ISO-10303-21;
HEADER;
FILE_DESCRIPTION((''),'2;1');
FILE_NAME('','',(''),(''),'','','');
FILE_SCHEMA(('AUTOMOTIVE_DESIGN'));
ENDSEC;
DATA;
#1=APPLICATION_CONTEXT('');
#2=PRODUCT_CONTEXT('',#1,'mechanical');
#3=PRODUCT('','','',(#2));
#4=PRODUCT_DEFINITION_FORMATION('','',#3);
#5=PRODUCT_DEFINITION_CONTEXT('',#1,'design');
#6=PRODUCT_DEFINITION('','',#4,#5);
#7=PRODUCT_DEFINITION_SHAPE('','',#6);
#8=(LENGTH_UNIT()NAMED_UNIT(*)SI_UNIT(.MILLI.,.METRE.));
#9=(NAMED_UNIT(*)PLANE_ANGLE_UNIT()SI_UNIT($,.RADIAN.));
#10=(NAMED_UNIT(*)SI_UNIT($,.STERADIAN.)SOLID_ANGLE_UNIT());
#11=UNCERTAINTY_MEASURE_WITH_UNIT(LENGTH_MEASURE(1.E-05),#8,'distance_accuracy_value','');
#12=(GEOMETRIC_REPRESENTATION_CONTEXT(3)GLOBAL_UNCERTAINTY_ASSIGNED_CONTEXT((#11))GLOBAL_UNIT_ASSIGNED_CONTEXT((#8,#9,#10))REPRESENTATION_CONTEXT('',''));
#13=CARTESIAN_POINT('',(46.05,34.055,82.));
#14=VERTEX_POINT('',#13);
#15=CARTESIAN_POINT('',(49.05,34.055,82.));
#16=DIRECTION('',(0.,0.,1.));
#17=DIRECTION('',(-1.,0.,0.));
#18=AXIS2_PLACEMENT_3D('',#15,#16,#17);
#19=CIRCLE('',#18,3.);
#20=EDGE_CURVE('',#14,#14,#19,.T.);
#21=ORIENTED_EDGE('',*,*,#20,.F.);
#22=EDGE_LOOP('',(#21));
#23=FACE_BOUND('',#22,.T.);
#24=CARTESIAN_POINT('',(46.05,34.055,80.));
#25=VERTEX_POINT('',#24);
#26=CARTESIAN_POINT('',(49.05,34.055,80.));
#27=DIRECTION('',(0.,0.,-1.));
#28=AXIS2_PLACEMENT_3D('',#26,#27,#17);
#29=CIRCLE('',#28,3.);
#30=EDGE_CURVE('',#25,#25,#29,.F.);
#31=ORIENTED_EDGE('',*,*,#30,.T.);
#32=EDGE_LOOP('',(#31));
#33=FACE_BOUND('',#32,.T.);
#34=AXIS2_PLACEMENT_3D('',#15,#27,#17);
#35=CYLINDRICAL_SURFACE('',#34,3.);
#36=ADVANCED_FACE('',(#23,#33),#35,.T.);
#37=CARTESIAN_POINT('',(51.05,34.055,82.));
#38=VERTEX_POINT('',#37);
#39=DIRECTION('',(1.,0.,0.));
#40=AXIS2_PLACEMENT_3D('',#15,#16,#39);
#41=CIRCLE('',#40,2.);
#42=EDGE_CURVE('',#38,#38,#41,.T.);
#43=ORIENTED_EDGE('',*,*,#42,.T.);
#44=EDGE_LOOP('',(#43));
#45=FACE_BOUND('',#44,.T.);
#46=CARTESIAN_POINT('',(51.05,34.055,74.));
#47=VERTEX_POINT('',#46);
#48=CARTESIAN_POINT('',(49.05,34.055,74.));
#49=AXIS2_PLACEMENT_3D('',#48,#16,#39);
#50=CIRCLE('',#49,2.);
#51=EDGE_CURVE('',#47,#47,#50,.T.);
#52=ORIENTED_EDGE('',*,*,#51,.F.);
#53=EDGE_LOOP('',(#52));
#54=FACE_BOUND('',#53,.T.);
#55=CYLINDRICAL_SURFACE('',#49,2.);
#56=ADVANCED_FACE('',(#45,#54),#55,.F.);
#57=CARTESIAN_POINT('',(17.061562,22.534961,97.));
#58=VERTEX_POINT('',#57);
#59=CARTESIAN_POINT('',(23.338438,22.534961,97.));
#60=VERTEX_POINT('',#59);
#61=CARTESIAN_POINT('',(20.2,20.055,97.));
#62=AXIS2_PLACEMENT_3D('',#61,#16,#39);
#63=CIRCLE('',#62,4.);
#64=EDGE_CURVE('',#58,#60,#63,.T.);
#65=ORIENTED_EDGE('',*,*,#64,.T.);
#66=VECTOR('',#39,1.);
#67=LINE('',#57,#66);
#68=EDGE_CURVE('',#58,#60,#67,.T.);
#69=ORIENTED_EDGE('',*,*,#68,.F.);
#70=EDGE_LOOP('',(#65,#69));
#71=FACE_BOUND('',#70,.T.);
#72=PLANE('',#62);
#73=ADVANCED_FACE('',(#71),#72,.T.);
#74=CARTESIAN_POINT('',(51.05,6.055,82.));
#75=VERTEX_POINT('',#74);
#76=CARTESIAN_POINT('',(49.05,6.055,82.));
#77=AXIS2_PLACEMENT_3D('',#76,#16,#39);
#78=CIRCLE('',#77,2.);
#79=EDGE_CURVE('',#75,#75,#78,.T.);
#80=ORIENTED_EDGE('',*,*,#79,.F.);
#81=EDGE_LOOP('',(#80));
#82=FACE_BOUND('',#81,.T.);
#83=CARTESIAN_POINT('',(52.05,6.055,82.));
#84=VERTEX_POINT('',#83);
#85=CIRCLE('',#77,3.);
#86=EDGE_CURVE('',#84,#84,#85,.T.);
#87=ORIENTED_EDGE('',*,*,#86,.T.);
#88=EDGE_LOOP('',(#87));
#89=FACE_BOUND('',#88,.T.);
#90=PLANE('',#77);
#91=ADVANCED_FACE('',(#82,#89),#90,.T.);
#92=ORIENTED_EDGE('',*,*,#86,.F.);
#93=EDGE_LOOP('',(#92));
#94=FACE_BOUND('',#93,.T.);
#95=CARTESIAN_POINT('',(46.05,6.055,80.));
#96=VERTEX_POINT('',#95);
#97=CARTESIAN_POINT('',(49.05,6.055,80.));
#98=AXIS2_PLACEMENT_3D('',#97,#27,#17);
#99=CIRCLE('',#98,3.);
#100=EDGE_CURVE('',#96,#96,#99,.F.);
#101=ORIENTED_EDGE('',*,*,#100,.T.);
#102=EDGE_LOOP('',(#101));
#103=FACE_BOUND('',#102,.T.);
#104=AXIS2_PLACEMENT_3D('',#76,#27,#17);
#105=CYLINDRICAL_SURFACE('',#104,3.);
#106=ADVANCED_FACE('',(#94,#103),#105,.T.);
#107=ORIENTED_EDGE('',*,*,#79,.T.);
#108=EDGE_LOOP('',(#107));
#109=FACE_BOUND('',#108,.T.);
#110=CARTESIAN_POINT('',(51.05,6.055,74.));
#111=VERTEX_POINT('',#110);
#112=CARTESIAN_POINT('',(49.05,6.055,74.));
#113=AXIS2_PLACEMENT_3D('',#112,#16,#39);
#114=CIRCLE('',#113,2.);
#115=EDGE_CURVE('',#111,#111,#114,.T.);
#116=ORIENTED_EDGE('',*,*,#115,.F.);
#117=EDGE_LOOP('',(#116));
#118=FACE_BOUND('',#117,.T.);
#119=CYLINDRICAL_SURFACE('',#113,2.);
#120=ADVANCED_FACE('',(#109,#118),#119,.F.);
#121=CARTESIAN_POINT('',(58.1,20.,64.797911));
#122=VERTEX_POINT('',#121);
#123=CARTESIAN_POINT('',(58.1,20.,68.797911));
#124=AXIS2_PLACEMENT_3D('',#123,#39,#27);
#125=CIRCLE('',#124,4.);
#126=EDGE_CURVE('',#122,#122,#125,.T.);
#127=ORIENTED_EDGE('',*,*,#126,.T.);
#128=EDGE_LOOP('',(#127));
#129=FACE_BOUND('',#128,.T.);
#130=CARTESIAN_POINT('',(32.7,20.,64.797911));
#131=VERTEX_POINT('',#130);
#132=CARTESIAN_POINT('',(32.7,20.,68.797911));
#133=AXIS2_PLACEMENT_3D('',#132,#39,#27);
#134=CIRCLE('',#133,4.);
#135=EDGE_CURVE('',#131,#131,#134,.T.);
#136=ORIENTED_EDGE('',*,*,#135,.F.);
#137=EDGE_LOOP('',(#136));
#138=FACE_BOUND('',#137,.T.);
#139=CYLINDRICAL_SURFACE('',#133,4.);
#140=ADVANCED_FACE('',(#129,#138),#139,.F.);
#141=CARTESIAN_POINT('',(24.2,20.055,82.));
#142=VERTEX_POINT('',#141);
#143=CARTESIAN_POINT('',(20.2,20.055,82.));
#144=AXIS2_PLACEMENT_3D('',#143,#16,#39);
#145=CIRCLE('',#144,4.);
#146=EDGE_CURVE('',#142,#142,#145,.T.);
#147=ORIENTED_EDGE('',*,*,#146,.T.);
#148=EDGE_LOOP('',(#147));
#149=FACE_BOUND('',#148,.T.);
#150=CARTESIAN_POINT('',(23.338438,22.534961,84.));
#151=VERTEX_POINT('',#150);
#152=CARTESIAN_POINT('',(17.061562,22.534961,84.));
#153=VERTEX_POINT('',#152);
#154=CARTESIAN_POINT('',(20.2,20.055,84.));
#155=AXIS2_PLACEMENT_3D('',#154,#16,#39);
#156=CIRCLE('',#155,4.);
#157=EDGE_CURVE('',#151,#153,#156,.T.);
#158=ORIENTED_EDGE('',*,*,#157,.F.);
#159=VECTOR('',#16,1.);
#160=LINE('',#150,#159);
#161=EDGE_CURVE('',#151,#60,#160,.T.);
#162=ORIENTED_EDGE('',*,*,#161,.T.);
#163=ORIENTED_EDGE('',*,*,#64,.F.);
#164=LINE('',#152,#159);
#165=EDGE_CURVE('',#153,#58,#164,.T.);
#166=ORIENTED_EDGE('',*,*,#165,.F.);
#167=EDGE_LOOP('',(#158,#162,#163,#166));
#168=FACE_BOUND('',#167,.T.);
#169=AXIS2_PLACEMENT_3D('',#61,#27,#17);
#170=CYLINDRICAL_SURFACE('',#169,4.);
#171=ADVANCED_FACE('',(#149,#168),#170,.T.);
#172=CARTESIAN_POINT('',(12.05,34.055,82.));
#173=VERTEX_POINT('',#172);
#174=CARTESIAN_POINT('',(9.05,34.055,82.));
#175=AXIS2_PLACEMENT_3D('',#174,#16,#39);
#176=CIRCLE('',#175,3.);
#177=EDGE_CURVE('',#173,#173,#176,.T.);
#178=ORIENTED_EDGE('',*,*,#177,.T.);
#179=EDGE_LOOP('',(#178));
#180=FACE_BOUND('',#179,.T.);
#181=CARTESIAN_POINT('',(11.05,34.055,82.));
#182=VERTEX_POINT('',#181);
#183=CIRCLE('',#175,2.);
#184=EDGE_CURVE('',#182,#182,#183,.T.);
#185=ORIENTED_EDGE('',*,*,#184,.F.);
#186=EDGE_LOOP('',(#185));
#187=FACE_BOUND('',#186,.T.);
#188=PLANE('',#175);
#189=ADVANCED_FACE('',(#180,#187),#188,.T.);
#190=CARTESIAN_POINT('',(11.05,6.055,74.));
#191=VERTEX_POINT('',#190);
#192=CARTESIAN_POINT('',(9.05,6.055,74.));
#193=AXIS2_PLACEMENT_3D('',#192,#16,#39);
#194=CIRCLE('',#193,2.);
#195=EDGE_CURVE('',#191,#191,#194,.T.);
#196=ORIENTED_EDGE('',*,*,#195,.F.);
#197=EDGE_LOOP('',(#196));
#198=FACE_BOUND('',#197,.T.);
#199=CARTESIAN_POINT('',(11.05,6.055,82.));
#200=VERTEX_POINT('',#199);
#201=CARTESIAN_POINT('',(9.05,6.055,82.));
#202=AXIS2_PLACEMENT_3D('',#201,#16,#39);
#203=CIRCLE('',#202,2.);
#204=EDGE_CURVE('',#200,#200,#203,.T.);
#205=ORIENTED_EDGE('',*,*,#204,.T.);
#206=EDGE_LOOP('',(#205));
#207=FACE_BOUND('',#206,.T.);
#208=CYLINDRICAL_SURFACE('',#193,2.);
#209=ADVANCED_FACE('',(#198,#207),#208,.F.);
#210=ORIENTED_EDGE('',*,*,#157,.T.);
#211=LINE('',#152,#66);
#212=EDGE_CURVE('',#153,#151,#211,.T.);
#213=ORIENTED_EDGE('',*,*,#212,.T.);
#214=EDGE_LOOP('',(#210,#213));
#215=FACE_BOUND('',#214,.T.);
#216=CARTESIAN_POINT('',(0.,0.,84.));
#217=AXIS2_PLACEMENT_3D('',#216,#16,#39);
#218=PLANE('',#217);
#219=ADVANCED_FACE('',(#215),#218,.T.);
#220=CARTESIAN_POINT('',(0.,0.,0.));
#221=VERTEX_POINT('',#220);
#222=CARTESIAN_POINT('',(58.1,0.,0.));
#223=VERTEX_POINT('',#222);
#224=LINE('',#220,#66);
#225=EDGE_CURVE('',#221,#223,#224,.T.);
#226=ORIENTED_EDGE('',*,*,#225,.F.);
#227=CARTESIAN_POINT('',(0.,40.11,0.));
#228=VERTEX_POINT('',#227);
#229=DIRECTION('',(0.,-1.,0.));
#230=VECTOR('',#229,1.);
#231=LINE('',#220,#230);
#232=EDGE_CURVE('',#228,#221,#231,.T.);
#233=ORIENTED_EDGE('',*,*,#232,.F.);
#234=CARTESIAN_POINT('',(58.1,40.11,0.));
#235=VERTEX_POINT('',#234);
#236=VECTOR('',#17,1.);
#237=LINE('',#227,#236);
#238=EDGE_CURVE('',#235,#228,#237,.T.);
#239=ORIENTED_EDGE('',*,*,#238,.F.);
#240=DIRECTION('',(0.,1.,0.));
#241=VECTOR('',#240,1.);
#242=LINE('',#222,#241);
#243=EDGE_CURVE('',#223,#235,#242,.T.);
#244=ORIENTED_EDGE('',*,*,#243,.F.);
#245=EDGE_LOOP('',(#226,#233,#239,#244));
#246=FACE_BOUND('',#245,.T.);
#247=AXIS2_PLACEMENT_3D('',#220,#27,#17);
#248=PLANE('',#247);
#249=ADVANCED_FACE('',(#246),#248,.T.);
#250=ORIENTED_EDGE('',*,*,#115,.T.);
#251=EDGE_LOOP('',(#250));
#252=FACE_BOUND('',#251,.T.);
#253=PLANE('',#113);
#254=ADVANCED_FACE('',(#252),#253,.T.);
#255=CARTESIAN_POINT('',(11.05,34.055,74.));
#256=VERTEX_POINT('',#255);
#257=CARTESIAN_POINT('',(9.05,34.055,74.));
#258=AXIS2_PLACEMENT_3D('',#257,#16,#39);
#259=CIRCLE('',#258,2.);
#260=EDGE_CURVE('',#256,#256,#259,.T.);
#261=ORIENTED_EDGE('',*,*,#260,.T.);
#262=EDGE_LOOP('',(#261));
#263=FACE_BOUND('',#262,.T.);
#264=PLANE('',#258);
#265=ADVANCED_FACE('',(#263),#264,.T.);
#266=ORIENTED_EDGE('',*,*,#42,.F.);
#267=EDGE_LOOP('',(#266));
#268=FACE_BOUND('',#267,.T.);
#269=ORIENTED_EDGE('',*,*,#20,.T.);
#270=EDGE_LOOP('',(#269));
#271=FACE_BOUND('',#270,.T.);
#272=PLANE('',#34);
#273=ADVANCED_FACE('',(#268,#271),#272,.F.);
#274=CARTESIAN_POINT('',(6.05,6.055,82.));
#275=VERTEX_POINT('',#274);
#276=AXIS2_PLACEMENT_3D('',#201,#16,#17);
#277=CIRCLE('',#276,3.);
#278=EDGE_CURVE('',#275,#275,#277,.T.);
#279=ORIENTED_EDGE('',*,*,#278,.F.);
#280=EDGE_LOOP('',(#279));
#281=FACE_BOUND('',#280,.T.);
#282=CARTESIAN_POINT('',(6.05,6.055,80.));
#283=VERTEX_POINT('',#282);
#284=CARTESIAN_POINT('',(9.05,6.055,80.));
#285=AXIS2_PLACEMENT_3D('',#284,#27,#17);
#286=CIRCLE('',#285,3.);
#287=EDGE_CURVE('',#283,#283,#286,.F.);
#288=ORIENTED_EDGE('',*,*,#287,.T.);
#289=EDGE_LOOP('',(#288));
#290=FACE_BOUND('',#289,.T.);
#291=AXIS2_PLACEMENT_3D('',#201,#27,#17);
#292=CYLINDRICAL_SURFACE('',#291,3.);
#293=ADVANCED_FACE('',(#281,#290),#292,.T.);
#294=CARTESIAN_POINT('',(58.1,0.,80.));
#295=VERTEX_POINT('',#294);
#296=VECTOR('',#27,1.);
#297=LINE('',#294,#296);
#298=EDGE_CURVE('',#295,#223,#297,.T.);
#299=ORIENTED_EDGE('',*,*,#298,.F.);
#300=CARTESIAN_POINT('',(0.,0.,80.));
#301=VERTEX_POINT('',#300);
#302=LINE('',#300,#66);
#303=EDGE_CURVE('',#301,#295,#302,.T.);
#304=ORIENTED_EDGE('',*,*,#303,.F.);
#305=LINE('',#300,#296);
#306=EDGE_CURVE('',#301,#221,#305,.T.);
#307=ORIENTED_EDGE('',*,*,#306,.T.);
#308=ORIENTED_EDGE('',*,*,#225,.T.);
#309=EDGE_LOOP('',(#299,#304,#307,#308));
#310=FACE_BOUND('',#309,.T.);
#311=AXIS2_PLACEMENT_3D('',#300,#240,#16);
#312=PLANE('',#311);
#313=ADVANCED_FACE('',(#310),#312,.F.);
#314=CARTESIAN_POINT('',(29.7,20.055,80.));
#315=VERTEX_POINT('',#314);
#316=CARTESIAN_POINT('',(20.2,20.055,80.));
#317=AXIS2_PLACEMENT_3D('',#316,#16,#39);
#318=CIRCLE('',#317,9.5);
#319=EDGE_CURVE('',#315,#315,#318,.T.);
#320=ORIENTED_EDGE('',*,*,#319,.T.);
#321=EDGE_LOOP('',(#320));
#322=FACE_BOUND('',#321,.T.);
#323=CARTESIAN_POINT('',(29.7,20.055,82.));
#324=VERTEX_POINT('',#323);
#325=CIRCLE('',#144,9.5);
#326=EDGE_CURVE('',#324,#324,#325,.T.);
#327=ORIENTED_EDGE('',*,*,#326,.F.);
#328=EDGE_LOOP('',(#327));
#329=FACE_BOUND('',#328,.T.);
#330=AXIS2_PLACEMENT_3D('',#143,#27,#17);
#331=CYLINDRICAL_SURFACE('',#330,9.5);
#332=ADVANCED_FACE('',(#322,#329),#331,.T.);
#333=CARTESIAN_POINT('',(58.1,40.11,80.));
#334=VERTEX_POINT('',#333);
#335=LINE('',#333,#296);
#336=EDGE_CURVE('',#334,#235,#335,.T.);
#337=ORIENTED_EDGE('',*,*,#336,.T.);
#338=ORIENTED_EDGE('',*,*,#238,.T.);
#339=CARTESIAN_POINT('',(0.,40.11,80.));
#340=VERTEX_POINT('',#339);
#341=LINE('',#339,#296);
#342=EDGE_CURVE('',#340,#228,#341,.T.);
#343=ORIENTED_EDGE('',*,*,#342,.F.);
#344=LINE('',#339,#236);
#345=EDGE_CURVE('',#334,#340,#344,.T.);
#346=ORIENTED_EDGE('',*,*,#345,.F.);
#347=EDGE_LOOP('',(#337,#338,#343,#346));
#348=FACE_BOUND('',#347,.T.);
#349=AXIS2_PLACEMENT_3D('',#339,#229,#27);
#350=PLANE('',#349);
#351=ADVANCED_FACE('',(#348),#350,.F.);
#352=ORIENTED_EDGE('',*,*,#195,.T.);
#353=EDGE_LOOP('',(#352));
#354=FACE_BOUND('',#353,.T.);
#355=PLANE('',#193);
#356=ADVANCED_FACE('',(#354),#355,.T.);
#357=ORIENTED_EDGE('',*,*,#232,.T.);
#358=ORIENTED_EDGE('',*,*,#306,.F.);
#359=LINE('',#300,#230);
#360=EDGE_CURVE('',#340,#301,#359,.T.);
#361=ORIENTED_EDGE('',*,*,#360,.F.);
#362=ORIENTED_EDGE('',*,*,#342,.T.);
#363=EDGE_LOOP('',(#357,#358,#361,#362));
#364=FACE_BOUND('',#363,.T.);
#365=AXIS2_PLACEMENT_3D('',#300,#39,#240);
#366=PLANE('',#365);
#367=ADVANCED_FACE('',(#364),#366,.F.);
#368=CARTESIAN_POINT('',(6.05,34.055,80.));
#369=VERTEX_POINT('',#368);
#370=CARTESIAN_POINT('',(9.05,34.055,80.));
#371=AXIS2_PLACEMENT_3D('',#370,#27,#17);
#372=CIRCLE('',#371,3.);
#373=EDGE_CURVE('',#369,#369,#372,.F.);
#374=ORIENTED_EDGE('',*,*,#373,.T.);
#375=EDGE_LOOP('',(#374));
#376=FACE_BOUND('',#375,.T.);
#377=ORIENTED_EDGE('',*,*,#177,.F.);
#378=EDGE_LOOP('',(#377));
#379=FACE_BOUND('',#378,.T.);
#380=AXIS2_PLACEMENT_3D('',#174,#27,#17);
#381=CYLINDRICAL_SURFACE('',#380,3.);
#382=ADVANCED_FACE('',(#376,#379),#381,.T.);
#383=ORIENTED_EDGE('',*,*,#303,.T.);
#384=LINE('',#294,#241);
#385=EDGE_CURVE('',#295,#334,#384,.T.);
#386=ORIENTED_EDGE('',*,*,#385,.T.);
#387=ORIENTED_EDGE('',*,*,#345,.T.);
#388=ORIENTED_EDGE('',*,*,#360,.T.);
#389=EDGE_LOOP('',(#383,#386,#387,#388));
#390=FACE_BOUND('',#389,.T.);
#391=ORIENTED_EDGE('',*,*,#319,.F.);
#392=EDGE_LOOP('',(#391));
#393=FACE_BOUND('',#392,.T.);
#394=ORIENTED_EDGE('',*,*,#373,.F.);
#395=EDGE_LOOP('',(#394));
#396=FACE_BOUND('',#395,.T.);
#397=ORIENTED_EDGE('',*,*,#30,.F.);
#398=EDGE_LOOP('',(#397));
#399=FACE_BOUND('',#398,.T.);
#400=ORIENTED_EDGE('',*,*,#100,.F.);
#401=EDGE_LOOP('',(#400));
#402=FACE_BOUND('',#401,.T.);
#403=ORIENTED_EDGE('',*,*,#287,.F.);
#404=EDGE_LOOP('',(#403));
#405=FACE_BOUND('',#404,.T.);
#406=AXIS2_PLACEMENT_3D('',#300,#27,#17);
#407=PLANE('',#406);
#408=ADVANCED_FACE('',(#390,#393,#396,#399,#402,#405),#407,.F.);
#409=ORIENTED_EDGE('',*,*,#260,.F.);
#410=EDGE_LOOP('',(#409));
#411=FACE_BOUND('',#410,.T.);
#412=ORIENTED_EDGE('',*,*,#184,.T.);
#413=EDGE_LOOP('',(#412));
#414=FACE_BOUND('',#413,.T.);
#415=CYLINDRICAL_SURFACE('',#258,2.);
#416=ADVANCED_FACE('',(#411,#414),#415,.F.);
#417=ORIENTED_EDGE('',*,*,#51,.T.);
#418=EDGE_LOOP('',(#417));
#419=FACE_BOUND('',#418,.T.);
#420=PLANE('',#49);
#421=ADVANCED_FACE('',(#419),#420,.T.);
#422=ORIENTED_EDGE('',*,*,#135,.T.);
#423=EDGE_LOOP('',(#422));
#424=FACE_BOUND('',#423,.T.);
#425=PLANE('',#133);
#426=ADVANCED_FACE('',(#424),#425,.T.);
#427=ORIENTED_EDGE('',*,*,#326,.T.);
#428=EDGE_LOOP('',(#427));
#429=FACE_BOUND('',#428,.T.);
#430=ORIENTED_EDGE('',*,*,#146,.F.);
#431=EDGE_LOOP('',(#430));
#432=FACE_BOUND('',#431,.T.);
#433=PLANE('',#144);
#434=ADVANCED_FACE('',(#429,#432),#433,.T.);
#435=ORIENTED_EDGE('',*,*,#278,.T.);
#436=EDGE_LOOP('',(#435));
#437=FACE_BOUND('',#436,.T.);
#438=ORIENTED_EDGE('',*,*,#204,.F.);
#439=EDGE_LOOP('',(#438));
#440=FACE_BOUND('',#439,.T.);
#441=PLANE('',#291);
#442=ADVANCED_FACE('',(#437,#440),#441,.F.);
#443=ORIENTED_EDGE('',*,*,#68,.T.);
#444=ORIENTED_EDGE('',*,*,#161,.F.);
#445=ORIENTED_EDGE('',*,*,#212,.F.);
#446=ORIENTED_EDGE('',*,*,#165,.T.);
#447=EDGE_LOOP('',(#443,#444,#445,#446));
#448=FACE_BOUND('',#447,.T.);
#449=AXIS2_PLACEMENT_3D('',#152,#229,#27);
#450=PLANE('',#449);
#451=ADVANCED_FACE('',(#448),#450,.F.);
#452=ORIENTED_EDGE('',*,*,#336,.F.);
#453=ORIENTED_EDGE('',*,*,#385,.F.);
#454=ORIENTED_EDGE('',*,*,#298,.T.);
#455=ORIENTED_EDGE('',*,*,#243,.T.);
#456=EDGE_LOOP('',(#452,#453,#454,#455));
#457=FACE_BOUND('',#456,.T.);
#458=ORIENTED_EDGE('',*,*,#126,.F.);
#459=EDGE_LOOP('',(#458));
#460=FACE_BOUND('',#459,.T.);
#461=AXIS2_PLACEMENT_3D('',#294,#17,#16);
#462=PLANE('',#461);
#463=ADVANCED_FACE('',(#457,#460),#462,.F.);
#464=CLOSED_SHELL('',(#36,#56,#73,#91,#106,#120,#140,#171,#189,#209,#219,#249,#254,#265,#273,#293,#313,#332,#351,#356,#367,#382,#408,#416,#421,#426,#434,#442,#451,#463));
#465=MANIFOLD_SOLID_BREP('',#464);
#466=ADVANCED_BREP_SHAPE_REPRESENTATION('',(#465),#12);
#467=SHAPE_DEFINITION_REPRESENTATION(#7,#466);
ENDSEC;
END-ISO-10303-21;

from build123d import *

# Parameters (mm, degrees)
SKETCH1_W           = 58.1
SKETCH1_H           = 40.11
BOSS_EXTRUDE1_DEPTH = 80
SKETCH2_R           = 9.5
BOSS_EXTRUDE2_DEPTH = 2
SKETCH3_R           = 4
BOSS_EXTRUDE3_DEPTH = 15
SKETCH4_W           = 6.276876118
SKETCH4_H           = 1.998885949
CUT_EXTRUDE1_DEPTH  = 13
SKETCH5_R           = 3
BOSS_EXTRUDE4_DEPTH = 2
SKETCH6_R           = 2
CUT_EXTRUDE2_DEPTH  = 8
SKETCH7_R           = 4
CUT_EXTRUDE3_DEPTH  = 25.4


with BuildPart() as part:
    # Sketch1 → Boss-Extrude1 (new body)
    with BuildSketch(Plane.XY):
        with Locations((29.05, 20.055)):
            Rectangle(SKETCH1_W, SKETCH1_H)
    extrude(amount=BOSS_EXTRUDE1_DEPTH)

    # Sketch2 → Boss-Extrude2 (add)
    with BuildSketch(Plane.XY.offset(80)):
        with Locations((20.2, 20.055)):
            Circle(SKETCH2_R)
    extrude(amount=BOSS_EXTRUDE2_DEPTH)

    # Sketch3 → Boss-Extrude3 (add)
    with BuildSketch(Plane.XY.offset(82)):
        with Locations((20.2, 20.055)):
            Circle(SKETCH3_R)
    extrude(amount=BOSS_EXTRUDE3_DEPTH)

    # Sketch4 → Cut-Extrude1 (cut)
    with BuildSketch(Plane.XY.offset(97)):
        with Locations((20.2, 23.534403972)):
            Rectangle(SKETCH4_W, SKETCH4_H)
    extrude(amount=-CUT_EXTRUDE1_DEPTH, mode=Mode.SUBTRACT)

    # Sketch5 → Boss-Extrude4 (add)
    with BuildSketch(Plane.XY.offset(80)):
        with Locations((9.05, 34.055)):
            Circle(SKETCH5_R)
        with Locations((49.05, 34.055)):
            Circle(SKETCH5_R)
        with Locations((49.05, 6.055)):
            Circle(SKETCH5_R)
        with Locations((9.05, 6.055)):
            Circle(SKETCH5_R)
    extrude(amount=BOSS_EXTRUDE4_DEPTH)

    # Sketch6 → Cut-Extrude2 (cut)
    with BuildSketch(Plane.XY.offset(82)):
        with Locations((9.05, 34.055)):
            Circle(SKETCH6_R)
        with Locations((49.05, 34.055)):
            Circle(SKETCH6_R)
        with Locations((49.05, 6.055)):
            Circle(SKETCH6_R)
        with Locations((9.05, 6.055)):
            Circle(SKETCH6_R)
    extrude(amount=-CUT_EXTRUDE2_DEPTH, mode=Mode.SUBTRACT)

    # Sketch7 → Cut-Extrude3 (cut)
    with BuildSketch(Plane(origin=(58.1, 0, 0), x_dir=(0, 0, -1), z_dir=(1, 0, 0))):
        with Locations((-68.797911108, 20)):
            Circle(SKETCH7_R)
    extrude(amount=-CUT_EXTRUDE3_DEPTH, mode=Mode.SUBTRACT)


solid = part.part
